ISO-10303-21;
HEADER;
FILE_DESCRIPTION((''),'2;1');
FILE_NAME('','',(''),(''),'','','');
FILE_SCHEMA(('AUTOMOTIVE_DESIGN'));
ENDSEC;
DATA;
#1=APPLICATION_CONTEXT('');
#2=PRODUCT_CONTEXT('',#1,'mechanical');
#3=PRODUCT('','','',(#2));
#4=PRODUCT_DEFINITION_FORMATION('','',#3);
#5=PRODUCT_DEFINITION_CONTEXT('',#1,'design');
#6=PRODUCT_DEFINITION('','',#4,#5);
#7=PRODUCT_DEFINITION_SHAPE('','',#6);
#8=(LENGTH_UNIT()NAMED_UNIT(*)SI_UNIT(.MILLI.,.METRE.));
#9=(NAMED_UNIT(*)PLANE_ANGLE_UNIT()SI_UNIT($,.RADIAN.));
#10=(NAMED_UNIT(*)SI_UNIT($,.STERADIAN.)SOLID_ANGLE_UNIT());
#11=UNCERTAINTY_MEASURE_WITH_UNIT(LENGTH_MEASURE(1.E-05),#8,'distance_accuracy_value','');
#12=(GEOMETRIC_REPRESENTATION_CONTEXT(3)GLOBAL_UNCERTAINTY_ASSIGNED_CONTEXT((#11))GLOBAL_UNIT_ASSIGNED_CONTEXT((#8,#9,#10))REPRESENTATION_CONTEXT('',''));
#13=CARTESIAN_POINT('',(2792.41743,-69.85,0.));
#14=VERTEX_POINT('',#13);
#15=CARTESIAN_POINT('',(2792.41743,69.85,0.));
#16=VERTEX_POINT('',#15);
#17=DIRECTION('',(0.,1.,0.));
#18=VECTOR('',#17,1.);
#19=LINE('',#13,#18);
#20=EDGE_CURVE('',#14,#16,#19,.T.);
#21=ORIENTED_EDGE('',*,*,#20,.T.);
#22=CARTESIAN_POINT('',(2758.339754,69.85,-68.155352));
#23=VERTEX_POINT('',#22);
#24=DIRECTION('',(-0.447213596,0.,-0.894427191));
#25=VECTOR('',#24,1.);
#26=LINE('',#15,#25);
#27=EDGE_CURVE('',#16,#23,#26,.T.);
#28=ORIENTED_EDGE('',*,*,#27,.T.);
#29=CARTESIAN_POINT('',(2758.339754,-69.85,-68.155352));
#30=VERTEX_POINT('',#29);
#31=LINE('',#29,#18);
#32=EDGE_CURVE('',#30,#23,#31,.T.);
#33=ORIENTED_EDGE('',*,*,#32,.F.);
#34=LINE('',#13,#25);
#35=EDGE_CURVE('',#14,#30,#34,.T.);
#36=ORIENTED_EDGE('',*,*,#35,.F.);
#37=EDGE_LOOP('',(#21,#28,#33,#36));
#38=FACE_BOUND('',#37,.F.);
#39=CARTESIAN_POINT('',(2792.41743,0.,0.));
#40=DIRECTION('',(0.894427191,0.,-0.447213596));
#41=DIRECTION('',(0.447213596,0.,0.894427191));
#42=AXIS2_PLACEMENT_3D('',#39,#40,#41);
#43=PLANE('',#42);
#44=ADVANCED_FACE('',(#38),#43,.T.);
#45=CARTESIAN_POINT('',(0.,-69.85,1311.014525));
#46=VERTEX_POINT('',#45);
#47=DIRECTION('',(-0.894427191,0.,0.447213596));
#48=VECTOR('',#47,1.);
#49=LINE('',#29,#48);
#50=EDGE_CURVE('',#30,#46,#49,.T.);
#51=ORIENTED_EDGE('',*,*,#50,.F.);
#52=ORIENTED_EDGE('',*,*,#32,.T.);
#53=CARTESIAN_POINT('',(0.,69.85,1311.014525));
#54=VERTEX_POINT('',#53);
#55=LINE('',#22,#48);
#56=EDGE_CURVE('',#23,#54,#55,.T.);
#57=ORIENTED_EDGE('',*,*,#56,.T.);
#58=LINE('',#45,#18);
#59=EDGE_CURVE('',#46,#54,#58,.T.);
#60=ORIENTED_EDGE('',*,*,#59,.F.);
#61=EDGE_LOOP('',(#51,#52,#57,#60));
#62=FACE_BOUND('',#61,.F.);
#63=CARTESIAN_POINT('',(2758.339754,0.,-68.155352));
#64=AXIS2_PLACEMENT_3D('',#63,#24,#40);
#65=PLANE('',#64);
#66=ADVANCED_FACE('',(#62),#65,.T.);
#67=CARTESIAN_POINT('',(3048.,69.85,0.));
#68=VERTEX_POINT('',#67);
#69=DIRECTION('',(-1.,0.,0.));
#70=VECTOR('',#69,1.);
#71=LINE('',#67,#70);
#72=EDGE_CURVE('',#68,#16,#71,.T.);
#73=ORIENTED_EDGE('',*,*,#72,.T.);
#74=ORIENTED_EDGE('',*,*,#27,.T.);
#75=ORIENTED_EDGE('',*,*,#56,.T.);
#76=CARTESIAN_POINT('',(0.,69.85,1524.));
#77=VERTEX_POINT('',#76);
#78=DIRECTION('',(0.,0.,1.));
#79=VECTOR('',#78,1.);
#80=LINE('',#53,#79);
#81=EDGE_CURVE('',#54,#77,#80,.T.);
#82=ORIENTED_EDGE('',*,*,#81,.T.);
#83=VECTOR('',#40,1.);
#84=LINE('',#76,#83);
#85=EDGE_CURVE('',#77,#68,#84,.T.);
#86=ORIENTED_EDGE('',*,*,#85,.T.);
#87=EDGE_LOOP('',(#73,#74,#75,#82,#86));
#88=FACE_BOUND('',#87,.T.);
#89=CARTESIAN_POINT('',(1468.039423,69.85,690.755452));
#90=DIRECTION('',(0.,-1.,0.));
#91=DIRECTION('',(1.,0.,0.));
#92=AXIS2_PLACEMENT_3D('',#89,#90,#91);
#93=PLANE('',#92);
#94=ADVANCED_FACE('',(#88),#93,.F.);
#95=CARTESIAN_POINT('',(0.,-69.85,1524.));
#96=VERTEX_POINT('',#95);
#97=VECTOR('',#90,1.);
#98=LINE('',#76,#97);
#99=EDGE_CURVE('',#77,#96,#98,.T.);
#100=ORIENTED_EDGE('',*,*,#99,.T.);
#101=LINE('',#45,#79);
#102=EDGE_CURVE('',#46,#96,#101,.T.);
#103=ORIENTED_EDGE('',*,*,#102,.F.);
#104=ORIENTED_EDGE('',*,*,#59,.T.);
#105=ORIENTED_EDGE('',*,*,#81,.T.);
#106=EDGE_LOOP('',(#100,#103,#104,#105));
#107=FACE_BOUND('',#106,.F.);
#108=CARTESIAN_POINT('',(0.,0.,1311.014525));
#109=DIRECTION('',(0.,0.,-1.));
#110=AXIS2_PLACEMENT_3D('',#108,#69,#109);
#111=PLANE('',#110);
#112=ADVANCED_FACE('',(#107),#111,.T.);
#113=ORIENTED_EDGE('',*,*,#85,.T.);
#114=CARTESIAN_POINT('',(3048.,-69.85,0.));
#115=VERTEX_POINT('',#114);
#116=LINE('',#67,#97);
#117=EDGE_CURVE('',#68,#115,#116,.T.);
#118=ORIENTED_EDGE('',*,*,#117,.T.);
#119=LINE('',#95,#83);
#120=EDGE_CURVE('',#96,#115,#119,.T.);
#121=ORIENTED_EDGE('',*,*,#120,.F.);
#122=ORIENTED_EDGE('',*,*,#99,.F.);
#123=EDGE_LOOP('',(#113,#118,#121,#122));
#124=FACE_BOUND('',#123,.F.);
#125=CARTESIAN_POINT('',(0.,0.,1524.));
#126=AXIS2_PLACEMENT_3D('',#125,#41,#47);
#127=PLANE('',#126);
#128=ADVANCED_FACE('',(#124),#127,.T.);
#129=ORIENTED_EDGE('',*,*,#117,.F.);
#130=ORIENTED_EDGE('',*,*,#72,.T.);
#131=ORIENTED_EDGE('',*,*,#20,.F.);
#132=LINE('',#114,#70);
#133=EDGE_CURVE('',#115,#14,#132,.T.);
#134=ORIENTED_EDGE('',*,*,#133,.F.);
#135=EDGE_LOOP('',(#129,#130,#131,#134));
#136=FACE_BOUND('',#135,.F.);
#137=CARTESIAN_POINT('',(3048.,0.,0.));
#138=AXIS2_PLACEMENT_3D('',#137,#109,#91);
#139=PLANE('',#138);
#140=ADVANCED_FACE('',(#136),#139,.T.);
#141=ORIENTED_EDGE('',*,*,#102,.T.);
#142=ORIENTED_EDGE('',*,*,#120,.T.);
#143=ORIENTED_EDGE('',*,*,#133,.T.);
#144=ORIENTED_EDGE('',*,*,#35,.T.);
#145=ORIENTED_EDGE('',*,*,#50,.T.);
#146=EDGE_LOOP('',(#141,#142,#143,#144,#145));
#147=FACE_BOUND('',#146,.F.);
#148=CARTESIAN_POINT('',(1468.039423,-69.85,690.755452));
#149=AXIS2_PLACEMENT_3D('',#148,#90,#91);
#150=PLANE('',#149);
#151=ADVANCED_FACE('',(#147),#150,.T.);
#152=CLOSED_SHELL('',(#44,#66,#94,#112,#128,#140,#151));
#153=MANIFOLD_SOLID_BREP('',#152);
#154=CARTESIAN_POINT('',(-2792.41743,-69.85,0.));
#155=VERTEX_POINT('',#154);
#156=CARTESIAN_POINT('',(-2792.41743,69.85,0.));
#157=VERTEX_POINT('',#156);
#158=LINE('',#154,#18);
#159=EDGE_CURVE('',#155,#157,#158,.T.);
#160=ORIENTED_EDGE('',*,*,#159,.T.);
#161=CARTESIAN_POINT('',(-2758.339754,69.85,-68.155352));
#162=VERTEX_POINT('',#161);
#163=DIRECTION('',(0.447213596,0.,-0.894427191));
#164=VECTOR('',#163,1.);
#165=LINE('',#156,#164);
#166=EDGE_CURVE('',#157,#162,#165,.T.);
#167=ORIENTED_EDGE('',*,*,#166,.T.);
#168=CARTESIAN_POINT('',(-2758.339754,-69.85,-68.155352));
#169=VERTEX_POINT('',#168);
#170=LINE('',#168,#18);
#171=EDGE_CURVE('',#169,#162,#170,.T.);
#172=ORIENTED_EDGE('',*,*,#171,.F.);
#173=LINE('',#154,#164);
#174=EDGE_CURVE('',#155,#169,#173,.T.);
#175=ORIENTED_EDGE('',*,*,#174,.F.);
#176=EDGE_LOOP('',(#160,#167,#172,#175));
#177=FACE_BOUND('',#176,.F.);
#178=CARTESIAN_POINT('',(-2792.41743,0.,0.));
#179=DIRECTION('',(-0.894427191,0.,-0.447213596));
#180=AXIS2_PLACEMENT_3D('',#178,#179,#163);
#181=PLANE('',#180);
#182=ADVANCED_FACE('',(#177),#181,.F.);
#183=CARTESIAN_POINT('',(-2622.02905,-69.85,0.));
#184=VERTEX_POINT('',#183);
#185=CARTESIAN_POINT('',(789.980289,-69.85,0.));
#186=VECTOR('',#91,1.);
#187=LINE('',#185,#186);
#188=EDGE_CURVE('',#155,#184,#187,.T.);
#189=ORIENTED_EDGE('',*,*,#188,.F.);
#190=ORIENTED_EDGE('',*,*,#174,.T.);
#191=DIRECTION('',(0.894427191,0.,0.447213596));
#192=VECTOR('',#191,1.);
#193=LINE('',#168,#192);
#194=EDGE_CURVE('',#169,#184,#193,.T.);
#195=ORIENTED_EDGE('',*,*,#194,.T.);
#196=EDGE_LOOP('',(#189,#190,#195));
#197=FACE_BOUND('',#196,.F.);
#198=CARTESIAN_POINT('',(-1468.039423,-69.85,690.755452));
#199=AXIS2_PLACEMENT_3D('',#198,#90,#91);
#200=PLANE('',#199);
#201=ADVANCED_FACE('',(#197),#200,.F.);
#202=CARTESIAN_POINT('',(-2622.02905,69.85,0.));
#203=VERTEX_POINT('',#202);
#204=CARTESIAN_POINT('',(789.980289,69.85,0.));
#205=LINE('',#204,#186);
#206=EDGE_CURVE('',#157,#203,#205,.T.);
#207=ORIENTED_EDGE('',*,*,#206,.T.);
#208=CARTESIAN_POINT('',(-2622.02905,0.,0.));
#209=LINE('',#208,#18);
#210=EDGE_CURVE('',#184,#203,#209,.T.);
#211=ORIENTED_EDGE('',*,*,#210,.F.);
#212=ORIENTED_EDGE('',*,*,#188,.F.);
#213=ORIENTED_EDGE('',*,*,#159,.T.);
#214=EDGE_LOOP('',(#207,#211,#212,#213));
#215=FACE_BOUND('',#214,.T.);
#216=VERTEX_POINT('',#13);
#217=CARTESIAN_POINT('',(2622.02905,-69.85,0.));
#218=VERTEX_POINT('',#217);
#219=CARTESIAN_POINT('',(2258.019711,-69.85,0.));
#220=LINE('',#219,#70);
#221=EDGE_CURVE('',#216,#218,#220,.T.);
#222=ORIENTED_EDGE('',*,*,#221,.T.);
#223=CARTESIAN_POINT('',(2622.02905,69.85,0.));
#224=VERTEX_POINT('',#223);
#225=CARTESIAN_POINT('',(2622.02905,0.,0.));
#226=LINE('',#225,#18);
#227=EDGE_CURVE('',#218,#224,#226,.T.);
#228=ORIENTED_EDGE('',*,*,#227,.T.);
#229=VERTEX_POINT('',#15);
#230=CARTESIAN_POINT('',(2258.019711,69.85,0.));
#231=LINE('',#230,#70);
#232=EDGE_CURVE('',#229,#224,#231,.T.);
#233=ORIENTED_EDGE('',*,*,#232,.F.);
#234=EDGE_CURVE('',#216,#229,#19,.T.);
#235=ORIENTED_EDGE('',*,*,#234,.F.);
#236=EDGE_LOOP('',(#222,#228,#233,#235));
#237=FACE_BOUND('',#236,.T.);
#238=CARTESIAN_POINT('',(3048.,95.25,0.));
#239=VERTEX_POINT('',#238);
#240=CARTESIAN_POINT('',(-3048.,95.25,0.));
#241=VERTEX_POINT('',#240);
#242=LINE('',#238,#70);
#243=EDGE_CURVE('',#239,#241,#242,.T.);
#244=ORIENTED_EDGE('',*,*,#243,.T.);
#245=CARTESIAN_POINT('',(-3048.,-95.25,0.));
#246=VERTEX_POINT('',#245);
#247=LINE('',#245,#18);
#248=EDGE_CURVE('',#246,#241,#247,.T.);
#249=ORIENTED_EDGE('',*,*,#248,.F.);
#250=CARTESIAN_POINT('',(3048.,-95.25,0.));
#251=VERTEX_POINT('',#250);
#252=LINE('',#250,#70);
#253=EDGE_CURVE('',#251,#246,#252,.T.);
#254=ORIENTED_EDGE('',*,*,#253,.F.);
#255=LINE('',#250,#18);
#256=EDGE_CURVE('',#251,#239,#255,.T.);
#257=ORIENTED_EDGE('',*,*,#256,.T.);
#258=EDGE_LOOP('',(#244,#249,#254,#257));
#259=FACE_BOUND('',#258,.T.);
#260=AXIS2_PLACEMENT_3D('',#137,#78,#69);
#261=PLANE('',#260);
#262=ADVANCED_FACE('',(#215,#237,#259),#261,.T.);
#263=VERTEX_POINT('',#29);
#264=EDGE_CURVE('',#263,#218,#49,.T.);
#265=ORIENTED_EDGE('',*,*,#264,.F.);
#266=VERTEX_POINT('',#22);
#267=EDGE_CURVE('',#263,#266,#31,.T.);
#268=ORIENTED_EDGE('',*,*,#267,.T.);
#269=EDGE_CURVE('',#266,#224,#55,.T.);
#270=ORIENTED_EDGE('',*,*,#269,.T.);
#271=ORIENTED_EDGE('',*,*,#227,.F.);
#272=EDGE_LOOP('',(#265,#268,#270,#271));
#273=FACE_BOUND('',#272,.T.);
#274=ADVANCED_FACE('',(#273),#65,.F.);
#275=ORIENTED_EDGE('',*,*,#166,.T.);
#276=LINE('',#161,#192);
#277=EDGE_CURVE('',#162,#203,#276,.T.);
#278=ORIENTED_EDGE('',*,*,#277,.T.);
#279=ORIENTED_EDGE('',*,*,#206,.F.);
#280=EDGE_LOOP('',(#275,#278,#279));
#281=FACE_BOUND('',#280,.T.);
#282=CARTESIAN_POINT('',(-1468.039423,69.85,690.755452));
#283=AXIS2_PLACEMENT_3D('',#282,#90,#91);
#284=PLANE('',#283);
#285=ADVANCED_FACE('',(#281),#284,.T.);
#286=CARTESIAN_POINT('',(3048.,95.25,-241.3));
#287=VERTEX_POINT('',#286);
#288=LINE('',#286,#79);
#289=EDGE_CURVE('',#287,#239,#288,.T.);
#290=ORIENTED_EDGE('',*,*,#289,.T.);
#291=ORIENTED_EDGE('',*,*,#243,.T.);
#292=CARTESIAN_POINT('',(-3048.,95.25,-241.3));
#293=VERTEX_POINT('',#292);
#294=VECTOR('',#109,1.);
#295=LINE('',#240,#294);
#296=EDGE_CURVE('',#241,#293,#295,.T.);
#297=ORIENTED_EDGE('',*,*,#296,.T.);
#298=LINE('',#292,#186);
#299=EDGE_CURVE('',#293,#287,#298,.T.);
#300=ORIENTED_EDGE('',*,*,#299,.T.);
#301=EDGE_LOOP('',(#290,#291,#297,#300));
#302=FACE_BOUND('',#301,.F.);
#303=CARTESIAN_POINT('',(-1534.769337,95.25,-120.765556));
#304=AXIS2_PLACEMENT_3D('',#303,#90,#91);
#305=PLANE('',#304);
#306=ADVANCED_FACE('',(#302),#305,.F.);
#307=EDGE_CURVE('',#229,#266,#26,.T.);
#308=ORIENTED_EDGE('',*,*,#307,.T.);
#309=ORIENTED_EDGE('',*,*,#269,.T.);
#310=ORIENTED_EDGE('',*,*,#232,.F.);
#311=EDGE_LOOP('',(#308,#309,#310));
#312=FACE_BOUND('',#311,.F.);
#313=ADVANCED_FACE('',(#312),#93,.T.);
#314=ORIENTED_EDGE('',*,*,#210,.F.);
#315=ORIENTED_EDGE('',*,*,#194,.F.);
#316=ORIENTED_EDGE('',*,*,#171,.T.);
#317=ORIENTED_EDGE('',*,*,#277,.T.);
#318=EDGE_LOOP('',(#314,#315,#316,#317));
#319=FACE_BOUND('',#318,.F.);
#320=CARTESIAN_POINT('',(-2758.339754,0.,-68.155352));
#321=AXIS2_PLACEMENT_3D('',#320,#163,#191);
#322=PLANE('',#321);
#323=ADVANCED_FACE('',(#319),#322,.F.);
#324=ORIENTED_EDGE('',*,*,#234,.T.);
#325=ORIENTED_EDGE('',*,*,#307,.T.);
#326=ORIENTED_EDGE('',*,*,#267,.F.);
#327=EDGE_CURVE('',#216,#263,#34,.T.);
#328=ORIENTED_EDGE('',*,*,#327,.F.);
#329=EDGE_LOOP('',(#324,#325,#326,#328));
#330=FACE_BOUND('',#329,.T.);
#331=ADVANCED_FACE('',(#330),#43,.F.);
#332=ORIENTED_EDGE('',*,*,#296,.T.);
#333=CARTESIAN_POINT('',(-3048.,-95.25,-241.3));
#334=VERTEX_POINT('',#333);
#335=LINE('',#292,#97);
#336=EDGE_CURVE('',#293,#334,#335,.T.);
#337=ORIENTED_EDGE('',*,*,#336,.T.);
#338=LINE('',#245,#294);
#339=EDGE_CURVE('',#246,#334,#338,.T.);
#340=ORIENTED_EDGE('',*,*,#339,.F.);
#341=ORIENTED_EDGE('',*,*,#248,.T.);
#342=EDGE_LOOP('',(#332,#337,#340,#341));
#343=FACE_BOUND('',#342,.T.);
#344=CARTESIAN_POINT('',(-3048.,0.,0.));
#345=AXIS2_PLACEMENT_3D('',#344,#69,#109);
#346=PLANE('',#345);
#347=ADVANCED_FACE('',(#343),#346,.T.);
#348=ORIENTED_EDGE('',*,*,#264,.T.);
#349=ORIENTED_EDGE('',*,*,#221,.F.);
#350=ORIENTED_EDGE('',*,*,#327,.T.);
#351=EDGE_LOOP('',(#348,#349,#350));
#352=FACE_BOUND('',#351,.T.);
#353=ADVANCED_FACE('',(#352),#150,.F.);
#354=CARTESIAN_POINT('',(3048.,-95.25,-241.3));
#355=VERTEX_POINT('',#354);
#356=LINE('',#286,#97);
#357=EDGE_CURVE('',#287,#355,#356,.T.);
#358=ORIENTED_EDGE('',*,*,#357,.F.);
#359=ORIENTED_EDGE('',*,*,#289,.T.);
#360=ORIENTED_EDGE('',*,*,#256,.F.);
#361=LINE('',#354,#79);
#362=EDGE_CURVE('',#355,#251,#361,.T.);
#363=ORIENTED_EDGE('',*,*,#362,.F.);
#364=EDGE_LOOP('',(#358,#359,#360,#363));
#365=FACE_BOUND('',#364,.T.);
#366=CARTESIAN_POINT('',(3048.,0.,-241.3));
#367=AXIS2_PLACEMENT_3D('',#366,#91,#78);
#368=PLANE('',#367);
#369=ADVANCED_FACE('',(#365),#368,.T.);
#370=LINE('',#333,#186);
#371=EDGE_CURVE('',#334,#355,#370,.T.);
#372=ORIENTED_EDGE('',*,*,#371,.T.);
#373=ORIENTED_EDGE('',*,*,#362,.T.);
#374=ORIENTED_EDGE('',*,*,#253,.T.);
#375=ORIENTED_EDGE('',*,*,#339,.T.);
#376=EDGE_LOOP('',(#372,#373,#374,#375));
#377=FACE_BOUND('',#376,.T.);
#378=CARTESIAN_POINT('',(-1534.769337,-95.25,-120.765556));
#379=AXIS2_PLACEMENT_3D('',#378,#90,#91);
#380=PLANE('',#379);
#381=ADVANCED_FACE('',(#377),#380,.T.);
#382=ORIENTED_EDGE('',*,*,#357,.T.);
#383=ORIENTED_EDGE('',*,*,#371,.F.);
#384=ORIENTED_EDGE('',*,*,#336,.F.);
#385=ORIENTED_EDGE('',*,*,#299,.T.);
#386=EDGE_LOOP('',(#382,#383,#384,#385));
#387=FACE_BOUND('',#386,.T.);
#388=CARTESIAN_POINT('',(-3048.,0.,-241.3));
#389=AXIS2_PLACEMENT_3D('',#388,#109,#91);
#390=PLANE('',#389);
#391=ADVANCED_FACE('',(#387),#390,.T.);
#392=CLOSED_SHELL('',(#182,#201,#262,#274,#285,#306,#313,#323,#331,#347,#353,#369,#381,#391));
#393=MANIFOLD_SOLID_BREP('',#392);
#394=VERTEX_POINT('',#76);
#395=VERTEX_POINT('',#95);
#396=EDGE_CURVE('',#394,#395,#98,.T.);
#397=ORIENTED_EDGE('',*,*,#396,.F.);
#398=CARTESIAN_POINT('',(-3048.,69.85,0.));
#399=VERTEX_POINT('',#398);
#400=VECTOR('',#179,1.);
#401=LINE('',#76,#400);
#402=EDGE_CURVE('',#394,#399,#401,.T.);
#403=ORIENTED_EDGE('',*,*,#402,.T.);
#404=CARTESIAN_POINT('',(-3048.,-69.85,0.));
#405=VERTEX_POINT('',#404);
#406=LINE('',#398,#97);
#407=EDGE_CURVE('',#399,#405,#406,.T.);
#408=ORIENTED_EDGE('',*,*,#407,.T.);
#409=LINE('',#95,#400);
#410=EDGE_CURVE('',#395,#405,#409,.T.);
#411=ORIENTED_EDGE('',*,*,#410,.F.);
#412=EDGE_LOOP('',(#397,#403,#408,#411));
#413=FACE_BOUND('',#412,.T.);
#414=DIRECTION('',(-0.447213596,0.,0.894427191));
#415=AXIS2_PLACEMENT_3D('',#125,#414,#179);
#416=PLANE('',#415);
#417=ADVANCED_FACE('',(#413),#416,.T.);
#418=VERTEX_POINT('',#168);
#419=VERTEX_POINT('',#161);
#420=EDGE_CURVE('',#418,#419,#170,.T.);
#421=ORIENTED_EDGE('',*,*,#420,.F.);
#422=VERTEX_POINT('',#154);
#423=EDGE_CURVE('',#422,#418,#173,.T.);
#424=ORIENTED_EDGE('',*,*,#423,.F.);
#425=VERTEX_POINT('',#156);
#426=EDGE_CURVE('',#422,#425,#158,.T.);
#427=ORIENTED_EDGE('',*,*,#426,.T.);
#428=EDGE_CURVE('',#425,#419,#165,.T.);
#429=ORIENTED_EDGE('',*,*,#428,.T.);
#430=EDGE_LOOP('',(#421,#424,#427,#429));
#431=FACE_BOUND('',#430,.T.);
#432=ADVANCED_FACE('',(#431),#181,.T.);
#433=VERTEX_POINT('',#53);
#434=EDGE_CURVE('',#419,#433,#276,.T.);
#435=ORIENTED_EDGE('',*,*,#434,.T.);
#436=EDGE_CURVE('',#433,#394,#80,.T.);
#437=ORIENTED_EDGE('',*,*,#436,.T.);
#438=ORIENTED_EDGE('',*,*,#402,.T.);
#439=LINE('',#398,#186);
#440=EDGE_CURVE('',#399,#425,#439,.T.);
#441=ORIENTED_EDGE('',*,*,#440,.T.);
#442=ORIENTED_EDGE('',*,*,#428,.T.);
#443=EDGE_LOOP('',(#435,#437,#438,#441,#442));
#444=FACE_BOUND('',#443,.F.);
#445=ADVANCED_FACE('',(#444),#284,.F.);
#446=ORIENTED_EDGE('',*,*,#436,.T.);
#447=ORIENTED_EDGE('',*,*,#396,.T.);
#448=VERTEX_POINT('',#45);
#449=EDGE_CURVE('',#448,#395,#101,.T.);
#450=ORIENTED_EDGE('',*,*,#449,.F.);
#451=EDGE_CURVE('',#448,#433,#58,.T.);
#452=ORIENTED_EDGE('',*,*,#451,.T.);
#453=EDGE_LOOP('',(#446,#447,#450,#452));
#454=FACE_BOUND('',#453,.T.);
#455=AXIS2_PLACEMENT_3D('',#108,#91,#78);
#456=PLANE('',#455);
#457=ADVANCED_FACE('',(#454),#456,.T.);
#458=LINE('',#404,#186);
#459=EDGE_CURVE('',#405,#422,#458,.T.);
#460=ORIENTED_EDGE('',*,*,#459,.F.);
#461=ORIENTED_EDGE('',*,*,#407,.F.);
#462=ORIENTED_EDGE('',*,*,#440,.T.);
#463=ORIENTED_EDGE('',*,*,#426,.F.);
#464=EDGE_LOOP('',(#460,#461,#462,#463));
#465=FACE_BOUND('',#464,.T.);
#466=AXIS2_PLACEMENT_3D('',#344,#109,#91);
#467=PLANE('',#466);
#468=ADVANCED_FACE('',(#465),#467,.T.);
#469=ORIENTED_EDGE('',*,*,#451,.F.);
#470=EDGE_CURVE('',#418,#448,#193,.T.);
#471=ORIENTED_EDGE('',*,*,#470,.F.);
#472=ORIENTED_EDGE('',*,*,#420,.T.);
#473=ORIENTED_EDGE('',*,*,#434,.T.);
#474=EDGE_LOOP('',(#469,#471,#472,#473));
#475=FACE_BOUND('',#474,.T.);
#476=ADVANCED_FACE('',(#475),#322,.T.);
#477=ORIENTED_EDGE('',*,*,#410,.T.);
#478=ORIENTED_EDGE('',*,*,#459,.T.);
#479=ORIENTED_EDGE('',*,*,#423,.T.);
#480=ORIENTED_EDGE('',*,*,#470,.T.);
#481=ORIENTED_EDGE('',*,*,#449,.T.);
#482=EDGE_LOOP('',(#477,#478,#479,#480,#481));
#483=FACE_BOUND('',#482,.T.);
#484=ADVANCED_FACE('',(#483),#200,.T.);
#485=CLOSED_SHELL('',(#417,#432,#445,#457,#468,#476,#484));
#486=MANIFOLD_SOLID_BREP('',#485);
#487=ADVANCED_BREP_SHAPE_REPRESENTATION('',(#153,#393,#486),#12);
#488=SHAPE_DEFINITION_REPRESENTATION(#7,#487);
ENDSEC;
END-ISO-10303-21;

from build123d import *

# Parameters (mm, degrees)
F1_DEPTH = 95.25
F2_DEPTH = 69.85


with BuildPart() as f1:
    # F0 (on Front) → F1 (new body, symmetric)
    with BuildSketch(Plane.XZ):
        Polygon((0, -241.3), (0, 0), (-2622.02905, 0), (-2758.339754, -68.155352), (-2792.41743, 0), (-3048, 0), (-3048, -241.3), align=None)
        Polygon((2622.02905, 0), (0, 0), (0, -241.3), (3048, -241.3), (3048, 0), align=None)
        Polygon((-2758.339754, -68.155352), (-2622.02905, 0), (-2792.41743, 0), align=None)
    extrude(amount=F1_DEPTH, both=True)


with BuildPart() as f2:
    # F0 (on Front) → F2 (new body, symmetric)
    with BuildSketch(Plane.XZ):
        Polygon((-2622.02905, 0), (0, 1311.014525), (0, 1524), (-304.8, 1371.6), (-3048, 0), (-2792.41743, 0), align=None)
        Polygon((-2758.339754, -68.155352), (-2622.02905, 0), (-2792.41743, 0), align=None)
    extrude(amount=F2_DEPTH, both=True)


with BuildPart() as f3_1:
    # F3: instance of F2
    add(f2.part.mirror(Plane.YZ))


with BuildPart() as f1_1:
    add(f1.part)

    # F4: cut F2, F3_1
    add(f2.part, mode=Mode.SUBTRACT)
    add(f3_1.part, mode=Mode.SUBTRACT)


solid = Compound([f2.part, f3_1.part, f1_1.part])
